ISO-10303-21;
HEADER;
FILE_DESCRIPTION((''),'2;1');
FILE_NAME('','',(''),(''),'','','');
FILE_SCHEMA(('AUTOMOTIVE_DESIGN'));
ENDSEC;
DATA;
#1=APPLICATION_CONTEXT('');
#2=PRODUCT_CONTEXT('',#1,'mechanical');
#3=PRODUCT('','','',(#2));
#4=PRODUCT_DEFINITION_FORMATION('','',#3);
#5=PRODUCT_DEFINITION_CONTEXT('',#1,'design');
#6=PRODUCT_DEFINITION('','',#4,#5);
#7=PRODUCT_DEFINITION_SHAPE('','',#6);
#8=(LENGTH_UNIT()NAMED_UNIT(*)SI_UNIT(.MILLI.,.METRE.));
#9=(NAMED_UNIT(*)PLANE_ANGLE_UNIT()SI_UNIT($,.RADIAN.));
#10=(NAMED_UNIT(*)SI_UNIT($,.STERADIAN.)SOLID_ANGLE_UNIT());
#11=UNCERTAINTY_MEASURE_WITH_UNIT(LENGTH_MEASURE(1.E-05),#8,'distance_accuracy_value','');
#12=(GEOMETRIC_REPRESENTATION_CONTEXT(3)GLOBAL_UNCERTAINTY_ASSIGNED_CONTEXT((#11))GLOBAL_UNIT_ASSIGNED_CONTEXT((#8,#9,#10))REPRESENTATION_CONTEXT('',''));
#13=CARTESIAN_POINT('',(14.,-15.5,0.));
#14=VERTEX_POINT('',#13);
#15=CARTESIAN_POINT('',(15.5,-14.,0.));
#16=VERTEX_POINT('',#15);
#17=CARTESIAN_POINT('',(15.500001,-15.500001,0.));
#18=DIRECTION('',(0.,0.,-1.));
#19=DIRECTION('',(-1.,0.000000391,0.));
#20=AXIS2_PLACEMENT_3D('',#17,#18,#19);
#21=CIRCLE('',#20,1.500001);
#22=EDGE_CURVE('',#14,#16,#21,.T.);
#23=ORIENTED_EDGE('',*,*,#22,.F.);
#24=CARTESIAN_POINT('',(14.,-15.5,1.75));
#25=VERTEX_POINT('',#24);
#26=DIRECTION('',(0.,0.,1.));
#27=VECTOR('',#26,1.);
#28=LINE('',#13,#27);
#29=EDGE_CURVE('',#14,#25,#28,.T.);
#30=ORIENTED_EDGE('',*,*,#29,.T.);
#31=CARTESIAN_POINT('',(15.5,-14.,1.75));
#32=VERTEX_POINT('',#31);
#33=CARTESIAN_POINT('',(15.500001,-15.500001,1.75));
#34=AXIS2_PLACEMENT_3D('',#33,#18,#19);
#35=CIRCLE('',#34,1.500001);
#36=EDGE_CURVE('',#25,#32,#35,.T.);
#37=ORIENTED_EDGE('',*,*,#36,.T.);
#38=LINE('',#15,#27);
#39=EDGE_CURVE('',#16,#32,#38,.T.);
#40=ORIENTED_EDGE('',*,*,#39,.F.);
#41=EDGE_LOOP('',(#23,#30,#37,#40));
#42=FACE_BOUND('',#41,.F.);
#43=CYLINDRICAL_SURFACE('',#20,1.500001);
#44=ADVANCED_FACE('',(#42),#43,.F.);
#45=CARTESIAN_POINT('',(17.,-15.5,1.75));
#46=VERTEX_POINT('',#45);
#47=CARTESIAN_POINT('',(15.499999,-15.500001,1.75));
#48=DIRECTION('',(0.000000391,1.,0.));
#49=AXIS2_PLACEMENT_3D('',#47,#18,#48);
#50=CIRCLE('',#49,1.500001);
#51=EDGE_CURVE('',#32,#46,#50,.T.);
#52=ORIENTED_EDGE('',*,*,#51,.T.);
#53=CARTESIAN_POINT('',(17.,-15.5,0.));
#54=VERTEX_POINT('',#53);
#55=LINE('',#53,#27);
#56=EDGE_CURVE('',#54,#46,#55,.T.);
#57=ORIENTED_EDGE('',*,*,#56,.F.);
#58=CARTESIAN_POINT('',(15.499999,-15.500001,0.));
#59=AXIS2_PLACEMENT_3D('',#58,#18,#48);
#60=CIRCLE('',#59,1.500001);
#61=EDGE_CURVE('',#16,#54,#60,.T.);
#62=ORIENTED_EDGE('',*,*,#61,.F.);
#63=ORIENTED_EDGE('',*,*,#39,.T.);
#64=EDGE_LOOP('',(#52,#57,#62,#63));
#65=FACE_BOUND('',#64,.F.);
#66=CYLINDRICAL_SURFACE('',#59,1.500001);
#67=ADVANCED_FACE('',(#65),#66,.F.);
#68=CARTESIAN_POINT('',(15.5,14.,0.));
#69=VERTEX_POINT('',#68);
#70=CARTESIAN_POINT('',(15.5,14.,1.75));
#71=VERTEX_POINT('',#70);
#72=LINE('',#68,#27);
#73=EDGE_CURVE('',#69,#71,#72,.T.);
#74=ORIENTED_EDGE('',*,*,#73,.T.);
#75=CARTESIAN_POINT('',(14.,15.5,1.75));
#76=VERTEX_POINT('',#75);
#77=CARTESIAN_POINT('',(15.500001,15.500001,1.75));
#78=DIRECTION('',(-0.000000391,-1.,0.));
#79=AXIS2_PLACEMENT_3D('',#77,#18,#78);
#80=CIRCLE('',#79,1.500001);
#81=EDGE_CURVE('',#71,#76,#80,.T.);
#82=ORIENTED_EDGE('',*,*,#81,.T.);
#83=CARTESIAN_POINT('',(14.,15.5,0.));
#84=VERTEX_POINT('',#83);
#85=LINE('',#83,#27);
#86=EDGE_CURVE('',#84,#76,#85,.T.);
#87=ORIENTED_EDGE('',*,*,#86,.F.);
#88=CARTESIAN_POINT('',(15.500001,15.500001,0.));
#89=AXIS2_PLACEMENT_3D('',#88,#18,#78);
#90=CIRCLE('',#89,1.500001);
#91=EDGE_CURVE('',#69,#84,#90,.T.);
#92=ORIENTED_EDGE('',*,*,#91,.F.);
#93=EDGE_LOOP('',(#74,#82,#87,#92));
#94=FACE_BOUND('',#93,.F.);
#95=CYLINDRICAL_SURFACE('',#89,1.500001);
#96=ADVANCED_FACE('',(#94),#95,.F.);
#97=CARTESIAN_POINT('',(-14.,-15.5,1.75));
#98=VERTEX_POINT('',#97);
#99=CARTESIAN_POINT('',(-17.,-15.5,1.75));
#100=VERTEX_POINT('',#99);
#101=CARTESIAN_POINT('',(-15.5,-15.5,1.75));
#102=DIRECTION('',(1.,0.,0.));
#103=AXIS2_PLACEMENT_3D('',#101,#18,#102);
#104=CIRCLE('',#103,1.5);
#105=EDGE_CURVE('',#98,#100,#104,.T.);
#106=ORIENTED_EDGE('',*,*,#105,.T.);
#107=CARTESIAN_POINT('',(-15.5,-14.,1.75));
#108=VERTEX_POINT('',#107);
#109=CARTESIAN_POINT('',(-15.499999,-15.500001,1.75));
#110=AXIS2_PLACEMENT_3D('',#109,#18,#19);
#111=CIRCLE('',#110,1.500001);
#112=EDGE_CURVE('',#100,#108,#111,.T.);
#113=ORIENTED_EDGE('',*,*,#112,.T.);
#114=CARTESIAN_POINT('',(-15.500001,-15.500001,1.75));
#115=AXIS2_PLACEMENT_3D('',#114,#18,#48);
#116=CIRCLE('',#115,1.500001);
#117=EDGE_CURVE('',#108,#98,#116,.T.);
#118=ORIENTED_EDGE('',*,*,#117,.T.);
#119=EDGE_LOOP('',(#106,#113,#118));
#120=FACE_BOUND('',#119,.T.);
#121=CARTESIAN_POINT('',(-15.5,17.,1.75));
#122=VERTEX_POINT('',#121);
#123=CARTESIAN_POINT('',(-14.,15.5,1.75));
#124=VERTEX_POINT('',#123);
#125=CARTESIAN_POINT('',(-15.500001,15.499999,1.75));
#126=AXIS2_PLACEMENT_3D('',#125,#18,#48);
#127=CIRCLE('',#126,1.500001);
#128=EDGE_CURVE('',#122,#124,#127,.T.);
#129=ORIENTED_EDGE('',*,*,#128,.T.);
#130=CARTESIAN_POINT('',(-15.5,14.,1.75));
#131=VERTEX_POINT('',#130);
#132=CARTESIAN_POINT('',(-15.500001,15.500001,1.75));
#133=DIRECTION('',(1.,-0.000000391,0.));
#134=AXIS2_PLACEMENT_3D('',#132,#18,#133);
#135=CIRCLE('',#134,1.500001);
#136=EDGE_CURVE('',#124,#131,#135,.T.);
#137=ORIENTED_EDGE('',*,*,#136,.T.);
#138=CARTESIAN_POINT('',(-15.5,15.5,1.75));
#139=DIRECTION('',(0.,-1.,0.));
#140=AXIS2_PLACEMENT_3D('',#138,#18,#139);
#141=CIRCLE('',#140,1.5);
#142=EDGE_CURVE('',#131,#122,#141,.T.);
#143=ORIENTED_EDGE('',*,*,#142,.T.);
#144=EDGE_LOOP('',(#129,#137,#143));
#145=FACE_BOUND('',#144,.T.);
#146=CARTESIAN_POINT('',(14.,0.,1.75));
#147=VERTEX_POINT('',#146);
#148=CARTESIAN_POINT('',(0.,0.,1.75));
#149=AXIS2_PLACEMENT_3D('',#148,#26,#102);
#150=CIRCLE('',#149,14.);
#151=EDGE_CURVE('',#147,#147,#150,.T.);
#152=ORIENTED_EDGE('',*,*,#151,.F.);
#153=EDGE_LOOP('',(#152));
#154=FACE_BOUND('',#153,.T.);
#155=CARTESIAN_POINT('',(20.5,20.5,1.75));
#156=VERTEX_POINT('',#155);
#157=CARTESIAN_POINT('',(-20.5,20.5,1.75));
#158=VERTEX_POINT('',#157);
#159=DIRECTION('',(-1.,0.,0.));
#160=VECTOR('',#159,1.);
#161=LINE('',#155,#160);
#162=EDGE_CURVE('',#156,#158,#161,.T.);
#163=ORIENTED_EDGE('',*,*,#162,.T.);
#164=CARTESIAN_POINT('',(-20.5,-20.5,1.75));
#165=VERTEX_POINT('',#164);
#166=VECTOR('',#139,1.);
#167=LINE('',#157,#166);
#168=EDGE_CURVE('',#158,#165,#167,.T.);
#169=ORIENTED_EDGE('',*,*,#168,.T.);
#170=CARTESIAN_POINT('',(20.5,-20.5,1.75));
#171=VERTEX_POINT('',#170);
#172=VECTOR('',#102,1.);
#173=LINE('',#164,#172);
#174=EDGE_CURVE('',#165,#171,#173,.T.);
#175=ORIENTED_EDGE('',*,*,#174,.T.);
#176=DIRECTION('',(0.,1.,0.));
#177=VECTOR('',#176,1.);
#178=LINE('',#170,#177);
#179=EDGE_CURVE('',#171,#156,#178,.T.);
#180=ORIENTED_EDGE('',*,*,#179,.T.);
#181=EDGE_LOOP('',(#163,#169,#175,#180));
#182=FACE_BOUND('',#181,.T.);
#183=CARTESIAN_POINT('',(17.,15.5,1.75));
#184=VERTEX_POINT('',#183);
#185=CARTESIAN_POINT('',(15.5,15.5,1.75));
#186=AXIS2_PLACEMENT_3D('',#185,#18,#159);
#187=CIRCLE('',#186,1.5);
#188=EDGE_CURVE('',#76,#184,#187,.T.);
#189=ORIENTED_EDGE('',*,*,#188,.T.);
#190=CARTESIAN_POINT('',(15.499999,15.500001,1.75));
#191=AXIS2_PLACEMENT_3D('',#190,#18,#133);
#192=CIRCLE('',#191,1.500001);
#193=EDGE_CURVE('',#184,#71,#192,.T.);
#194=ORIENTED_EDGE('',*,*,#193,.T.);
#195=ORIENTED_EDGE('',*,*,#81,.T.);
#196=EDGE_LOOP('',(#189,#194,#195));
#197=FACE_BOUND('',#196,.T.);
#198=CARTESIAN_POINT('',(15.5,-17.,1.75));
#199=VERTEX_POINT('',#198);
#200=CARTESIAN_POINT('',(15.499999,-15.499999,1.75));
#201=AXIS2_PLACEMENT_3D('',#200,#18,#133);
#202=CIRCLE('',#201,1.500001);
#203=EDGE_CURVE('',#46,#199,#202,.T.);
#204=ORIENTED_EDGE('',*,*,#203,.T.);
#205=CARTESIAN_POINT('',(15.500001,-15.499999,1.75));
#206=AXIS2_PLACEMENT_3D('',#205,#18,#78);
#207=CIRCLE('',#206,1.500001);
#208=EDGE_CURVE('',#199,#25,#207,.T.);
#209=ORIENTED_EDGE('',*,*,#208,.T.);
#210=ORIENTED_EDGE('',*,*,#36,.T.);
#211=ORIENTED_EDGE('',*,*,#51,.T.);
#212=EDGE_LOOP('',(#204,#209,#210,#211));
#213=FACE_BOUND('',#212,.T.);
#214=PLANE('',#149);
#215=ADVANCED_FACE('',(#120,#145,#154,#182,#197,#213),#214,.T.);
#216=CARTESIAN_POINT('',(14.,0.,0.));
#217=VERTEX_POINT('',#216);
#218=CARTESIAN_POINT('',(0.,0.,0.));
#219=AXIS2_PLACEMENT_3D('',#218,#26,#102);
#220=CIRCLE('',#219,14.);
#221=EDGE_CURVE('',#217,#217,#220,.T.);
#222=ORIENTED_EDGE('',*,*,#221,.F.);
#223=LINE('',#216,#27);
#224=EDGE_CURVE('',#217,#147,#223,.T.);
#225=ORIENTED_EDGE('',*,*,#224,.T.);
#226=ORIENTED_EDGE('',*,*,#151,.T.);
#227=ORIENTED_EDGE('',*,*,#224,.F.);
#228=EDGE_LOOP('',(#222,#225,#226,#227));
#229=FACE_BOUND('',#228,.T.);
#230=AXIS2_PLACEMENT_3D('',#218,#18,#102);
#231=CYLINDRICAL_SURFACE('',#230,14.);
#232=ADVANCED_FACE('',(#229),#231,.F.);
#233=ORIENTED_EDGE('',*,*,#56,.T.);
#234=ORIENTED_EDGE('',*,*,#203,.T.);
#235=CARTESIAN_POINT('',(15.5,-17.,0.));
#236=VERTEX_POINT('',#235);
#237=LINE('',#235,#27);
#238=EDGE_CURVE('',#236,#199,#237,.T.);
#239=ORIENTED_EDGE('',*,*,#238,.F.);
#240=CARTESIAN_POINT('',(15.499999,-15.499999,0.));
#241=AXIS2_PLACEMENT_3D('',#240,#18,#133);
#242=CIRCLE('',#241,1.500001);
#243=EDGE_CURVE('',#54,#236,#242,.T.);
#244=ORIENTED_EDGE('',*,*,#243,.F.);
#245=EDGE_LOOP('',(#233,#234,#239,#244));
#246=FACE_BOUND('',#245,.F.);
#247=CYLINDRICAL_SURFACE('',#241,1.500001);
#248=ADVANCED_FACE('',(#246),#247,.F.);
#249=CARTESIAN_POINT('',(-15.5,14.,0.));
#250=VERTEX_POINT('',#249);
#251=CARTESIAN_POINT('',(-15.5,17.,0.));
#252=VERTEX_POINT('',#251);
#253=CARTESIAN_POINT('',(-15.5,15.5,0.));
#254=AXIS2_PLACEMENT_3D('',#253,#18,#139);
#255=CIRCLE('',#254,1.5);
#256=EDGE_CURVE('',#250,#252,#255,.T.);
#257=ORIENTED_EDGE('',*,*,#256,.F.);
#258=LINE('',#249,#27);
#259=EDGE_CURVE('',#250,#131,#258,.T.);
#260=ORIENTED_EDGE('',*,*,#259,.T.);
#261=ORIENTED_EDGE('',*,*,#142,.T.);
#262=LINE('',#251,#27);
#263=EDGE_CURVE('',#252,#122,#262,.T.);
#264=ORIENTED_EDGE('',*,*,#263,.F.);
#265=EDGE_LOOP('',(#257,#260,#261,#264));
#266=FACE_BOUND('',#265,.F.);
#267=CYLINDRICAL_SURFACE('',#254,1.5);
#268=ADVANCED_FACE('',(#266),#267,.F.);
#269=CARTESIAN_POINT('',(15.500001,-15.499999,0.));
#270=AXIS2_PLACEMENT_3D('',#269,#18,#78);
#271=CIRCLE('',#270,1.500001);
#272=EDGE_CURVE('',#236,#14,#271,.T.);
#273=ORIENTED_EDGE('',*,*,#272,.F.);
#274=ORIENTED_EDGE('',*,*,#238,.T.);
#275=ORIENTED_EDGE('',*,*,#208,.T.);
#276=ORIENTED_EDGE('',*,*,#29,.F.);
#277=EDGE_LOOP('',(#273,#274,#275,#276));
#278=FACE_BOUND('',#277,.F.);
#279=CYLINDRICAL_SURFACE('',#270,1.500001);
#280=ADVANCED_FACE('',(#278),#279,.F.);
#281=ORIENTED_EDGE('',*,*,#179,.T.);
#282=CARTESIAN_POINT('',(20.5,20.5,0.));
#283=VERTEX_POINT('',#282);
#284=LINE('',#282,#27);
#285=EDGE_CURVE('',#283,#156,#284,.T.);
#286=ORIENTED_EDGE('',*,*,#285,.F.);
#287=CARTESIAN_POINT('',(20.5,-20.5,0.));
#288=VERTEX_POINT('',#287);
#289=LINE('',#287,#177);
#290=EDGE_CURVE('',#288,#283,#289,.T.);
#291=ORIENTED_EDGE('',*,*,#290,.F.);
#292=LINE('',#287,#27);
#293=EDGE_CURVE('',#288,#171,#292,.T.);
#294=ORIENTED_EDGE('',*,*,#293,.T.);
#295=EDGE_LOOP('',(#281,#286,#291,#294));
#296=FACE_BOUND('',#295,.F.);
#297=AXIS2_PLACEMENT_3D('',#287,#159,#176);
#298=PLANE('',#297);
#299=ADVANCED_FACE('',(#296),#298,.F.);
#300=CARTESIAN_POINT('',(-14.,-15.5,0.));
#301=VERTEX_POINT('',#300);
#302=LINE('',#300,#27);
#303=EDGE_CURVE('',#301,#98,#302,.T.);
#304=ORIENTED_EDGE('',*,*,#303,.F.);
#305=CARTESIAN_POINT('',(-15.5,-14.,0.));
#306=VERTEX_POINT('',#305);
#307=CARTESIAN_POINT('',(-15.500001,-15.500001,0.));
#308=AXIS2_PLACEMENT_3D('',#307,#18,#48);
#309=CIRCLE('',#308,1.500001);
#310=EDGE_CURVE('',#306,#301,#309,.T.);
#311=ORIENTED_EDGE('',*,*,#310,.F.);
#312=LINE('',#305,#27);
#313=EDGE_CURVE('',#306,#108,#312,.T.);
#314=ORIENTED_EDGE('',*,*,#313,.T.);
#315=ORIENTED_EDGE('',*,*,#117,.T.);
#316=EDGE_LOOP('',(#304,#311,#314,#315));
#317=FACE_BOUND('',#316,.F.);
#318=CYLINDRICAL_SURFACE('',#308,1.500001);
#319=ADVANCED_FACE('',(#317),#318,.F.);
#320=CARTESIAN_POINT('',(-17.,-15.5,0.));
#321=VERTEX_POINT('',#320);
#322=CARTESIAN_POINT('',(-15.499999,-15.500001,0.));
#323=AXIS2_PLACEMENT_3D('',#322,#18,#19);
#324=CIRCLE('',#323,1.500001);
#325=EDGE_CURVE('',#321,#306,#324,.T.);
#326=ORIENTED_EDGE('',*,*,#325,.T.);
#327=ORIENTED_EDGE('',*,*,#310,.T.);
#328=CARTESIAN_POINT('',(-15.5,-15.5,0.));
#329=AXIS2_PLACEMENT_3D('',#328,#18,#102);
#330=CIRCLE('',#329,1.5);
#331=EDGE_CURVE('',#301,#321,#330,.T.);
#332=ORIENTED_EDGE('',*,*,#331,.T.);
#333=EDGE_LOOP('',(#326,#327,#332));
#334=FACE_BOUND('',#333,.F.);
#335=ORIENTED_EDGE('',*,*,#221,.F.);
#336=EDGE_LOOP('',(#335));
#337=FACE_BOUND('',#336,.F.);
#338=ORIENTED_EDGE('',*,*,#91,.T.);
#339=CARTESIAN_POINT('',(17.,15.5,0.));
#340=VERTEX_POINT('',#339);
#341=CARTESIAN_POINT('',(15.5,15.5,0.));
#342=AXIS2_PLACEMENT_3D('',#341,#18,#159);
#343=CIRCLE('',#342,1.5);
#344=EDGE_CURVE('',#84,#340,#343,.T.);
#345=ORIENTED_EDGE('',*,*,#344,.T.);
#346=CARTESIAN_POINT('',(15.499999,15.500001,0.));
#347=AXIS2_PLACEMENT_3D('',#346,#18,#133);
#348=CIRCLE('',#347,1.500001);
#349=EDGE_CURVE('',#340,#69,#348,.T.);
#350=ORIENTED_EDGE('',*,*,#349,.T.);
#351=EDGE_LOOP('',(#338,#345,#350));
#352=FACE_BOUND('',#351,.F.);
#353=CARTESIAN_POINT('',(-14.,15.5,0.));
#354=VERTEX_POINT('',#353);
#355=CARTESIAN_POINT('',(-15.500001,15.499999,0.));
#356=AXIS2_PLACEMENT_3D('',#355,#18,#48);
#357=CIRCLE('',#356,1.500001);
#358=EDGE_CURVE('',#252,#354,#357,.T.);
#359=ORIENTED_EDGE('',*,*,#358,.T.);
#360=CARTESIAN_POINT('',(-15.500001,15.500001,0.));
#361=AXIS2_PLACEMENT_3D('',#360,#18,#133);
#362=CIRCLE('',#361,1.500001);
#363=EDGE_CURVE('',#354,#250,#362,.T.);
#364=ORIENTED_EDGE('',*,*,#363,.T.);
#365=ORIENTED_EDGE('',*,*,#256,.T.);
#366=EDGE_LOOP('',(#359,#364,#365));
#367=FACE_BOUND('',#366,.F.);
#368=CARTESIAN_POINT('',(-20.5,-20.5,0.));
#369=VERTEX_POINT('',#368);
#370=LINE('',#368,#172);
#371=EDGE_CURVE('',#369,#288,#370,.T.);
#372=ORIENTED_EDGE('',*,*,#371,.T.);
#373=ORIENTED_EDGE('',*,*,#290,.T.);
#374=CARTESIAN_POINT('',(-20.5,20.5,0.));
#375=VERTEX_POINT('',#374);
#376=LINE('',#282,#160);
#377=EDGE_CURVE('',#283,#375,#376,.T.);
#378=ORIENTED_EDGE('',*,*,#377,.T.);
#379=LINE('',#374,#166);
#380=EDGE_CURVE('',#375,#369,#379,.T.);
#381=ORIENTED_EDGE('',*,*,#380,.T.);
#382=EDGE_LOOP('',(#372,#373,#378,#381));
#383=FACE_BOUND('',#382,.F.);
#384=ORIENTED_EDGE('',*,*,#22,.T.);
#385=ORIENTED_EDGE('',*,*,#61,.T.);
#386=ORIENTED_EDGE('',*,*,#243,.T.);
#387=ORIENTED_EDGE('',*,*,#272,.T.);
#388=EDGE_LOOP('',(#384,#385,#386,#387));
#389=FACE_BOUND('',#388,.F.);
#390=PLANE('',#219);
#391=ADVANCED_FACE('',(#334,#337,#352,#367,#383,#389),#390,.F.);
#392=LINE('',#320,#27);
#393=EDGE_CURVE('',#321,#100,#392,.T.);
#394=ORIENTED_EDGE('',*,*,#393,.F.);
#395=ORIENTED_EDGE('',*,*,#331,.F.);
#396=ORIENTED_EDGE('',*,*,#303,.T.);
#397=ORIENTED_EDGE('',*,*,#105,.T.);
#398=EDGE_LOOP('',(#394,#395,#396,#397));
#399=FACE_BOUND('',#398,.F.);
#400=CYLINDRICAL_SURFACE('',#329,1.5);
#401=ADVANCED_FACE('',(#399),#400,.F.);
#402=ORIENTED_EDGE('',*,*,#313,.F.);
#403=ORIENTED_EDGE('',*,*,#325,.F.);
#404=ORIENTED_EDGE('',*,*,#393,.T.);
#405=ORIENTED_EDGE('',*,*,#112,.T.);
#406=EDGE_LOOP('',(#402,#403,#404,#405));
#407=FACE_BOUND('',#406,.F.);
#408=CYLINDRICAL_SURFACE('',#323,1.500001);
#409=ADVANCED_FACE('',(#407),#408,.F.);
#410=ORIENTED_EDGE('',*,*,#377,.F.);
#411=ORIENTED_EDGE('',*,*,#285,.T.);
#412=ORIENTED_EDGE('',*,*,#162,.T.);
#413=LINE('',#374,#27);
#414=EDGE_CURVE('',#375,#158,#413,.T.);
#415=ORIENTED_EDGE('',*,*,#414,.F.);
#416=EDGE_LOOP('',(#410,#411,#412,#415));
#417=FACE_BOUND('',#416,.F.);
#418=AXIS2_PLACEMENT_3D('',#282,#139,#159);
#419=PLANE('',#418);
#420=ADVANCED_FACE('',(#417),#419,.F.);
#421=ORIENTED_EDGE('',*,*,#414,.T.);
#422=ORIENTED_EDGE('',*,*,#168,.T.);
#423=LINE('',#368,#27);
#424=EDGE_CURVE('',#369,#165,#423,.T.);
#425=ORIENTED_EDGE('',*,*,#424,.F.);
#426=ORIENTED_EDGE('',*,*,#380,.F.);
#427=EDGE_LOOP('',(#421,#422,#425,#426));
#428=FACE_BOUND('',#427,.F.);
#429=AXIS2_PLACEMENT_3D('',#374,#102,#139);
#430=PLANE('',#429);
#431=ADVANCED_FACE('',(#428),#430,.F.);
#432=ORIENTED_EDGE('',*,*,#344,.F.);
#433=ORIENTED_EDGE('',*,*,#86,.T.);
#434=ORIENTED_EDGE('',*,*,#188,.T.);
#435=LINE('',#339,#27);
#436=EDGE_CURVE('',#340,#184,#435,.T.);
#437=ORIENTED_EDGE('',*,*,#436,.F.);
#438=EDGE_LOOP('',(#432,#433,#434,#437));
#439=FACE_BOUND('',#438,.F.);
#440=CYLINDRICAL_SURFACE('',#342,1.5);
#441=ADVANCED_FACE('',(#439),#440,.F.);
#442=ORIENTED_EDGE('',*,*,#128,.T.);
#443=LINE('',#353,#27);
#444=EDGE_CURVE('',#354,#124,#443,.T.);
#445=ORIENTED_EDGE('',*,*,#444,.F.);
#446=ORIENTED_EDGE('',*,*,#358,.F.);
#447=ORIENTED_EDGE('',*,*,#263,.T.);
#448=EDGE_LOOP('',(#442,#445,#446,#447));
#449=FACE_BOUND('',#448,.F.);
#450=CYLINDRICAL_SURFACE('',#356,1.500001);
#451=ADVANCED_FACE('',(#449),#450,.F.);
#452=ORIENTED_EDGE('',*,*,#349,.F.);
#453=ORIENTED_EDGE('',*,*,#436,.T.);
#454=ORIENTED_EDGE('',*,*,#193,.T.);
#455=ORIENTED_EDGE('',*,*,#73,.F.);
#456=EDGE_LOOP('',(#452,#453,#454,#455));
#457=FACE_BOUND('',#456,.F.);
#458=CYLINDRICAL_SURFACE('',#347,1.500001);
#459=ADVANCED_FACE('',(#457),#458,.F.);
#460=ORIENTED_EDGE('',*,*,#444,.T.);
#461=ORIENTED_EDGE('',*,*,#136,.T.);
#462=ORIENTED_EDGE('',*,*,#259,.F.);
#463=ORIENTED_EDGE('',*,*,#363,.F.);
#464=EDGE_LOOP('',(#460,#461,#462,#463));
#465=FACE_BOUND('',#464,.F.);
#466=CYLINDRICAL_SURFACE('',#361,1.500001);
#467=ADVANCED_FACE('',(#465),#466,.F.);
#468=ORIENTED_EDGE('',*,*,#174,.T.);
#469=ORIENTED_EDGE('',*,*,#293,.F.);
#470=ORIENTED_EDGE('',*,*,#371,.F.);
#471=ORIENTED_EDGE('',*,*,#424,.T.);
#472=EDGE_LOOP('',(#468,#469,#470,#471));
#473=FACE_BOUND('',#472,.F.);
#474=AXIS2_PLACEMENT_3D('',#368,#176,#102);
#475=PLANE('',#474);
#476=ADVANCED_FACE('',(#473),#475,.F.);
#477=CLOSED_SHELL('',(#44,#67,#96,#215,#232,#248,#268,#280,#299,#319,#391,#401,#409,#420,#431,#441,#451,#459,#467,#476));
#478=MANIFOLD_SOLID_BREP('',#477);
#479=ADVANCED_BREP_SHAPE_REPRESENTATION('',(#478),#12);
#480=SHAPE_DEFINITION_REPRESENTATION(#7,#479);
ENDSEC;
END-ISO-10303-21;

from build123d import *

# Parameters (mm, degrees)
F0_R     = 14
F1_DEPTH = 1.75


with BuildPart() as f1:
    # F0 (on Top) → F1 (new body)
    with BuildSketch(Plane.XY):
        with BuildLine():
            Line((-14, -15.5), (14, -15.5))
            ThreePointArc((14, -15.5), (14.43934, -14.43934), (15.5, -14))
            Line((15.5, -14), (15.5, 14))
            ThreePointArc((15.5, 14), (14.43934, 14.43934), (14, 15.5))
            Line((14, 15.5), (-14, 15.5))
            ThreePointArc((-14, 15.5), (-14.43934, 14.43934), (-15.5, 14))
            Line((-15.5, 14), (-15.5, -14))
            ThreePointArc((-15.5, -14), (-14.43934, -14.43934), (-14, -15.5))
        make_face()
        Circle(F0_R, mode=Mode.SUBTRACT)
        with BuildLine():
            Line((-20.5, 20.5), (-20.5, -15.5))
            Line((-20.5, -15.5), (-17, -15.5))
            ThreePointArc((-17, -15.5), (-16.56066, -14.43934), (-15.5, -14))
            Line((-15.5, -14), (-15.5, 14))
            ThreePointArc((-15.5, 14), (-17, 15.5), (-15.5, 17))
            Line((-15.5, 17), (-15.5, 20.5))
            Line((-15.5, 20.5), (-20.5, 20.5))
        make_face()
        with BuildLine():
            Line((17, 15.5), (20.5, 15.5))
            Line((20.5, 15.5), (20.5, 20.5))
            Line((20.5, 20.5), (-15.5, 20.5))
            Line((-15.5, 20.5), (-15.5, 17))
            ThreePointArc((-15.5, 17), (-14.43934, 16.56066), (-14, 15.5))
            Line((-14, 15.5), (14, 15.5))
            ThreePointArc((14, 15.5), (15.5, 17), (17, 15.5))
        make_face()
        with BuildLine():
            Line((15.5, -20.5), (20.5, -20.5))
            Line((20.5, -20.5), (20.5, 15.5))
            Line((20.5, 15.5), (17, 15.5))
            ThreePointArc((17, 15.5), (16.56066, 14.43934), (15.5, 14))
            Line((15.5, 14), (15.5, -14))
            ThreePointArc((15.5, -14), (16.56066, -14.43934), (17, -15.5))
            ThreePointArc((17, -15.5), (16.56066, -16.56066), (15.5, -17))
            Line((15.5, -17), (15.5, -20.5))
        make_face()
        with BuildLine():
            Line((-20.5, -20.5), (15.5, -20.5))
            Line((15.5, -20.5), (15.5, -17))
            ThreePointArc((15.5, -17), (14.43934, -16.56066), (14, -15.5))
            Line((14, -15.5), (-14, -15.5))
            ThreePointArc((-14, -15.5), (-15.5, -17), (-17, -15.5))
            Line((-17, -15.5), (-20.5, -15.5))
            Line((-20.5, -15.5), (-20.5, -20.5))
        make_face()
    extrude(amount=F1_DEPTH)


solid = f1.part
